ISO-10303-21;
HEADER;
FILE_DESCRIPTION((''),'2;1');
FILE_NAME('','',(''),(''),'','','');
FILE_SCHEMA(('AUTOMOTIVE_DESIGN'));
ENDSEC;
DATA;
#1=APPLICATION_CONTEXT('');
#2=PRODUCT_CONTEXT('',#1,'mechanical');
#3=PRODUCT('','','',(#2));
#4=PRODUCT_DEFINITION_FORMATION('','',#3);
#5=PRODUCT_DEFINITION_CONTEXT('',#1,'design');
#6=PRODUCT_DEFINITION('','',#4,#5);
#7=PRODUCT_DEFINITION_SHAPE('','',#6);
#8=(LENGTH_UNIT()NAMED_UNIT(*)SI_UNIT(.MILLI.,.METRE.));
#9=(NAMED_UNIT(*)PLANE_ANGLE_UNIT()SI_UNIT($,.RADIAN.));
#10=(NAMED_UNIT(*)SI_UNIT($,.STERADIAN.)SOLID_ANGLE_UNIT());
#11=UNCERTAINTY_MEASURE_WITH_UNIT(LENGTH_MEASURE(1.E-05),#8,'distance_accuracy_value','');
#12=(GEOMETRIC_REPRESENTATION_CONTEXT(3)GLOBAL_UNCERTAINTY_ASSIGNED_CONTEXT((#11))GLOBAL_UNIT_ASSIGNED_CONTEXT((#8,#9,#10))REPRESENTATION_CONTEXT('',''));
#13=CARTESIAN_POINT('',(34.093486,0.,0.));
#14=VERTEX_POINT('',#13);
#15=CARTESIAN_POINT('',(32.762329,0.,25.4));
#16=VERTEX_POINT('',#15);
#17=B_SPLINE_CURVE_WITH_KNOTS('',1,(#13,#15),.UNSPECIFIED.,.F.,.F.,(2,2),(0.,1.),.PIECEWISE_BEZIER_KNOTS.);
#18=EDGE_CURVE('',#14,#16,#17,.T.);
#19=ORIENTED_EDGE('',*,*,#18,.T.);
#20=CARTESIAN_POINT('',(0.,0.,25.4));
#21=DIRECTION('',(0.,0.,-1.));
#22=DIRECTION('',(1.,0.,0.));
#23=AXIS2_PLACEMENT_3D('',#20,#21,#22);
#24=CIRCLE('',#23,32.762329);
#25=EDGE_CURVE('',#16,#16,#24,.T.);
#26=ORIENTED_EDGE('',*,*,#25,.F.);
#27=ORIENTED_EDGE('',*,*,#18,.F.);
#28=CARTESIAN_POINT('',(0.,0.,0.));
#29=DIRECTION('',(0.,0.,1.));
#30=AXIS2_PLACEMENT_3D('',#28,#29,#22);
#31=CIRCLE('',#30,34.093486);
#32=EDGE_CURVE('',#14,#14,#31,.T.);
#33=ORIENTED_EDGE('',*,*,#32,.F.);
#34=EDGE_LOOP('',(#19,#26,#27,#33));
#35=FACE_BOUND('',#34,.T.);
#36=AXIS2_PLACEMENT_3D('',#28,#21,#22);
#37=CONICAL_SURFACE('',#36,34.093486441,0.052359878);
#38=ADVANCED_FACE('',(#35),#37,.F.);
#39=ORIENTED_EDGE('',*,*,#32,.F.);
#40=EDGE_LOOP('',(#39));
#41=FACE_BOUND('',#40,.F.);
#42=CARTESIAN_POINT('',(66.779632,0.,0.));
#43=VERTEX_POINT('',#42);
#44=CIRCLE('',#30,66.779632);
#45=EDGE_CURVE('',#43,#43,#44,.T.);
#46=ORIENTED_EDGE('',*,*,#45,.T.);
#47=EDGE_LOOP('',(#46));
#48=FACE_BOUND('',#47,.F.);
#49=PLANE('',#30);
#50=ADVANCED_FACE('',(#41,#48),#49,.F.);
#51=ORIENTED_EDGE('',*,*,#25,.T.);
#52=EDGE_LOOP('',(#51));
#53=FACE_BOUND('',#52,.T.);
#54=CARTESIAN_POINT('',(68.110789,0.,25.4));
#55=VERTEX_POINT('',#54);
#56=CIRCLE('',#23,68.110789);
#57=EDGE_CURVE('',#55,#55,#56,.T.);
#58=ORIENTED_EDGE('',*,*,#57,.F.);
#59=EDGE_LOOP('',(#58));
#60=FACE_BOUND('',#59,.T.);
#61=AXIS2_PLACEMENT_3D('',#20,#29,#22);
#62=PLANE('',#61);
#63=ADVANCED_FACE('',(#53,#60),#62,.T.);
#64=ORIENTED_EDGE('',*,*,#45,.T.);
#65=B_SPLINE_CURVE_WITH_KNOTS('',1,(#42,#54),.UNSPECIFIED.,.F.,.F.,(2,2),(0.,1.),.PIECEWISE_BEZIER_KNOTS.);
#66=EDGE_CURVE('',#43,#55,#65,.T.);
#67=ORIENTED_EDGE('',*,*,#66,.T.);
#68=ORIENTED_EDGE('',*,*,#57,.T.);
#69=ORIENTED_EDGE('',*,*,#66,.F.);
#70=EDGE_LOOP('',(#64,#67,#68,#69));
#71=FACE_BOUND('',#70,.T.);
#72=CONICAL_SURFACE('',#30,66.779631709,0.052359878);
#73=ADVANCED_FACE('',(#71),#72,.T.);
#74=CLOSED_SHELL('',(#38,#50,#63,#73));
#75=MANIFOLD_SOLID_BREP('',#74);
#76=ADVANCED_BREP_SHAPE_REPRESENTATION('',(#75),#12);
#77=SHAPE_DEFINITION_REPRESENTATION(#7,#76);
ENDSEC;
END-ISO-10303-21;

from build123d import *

# Parameters (mm, degrees)
F0_R     = 66.7796317086
F0_R_2   = 34.0934864411
F1_DEPTH = 25.4
F1_TAPER = -3


with BuildPart() as f1:
    # F0 (on Top) → F1 (new body)
    with BuildSketch(Plane.XY):
        Circle(F0_R)
        Circle(F0_R_2, mode=Mode.SUBTRACT)
    extrude(amount=F1_DEPTH, taper=F1_TAPER)


solid = f1.part
